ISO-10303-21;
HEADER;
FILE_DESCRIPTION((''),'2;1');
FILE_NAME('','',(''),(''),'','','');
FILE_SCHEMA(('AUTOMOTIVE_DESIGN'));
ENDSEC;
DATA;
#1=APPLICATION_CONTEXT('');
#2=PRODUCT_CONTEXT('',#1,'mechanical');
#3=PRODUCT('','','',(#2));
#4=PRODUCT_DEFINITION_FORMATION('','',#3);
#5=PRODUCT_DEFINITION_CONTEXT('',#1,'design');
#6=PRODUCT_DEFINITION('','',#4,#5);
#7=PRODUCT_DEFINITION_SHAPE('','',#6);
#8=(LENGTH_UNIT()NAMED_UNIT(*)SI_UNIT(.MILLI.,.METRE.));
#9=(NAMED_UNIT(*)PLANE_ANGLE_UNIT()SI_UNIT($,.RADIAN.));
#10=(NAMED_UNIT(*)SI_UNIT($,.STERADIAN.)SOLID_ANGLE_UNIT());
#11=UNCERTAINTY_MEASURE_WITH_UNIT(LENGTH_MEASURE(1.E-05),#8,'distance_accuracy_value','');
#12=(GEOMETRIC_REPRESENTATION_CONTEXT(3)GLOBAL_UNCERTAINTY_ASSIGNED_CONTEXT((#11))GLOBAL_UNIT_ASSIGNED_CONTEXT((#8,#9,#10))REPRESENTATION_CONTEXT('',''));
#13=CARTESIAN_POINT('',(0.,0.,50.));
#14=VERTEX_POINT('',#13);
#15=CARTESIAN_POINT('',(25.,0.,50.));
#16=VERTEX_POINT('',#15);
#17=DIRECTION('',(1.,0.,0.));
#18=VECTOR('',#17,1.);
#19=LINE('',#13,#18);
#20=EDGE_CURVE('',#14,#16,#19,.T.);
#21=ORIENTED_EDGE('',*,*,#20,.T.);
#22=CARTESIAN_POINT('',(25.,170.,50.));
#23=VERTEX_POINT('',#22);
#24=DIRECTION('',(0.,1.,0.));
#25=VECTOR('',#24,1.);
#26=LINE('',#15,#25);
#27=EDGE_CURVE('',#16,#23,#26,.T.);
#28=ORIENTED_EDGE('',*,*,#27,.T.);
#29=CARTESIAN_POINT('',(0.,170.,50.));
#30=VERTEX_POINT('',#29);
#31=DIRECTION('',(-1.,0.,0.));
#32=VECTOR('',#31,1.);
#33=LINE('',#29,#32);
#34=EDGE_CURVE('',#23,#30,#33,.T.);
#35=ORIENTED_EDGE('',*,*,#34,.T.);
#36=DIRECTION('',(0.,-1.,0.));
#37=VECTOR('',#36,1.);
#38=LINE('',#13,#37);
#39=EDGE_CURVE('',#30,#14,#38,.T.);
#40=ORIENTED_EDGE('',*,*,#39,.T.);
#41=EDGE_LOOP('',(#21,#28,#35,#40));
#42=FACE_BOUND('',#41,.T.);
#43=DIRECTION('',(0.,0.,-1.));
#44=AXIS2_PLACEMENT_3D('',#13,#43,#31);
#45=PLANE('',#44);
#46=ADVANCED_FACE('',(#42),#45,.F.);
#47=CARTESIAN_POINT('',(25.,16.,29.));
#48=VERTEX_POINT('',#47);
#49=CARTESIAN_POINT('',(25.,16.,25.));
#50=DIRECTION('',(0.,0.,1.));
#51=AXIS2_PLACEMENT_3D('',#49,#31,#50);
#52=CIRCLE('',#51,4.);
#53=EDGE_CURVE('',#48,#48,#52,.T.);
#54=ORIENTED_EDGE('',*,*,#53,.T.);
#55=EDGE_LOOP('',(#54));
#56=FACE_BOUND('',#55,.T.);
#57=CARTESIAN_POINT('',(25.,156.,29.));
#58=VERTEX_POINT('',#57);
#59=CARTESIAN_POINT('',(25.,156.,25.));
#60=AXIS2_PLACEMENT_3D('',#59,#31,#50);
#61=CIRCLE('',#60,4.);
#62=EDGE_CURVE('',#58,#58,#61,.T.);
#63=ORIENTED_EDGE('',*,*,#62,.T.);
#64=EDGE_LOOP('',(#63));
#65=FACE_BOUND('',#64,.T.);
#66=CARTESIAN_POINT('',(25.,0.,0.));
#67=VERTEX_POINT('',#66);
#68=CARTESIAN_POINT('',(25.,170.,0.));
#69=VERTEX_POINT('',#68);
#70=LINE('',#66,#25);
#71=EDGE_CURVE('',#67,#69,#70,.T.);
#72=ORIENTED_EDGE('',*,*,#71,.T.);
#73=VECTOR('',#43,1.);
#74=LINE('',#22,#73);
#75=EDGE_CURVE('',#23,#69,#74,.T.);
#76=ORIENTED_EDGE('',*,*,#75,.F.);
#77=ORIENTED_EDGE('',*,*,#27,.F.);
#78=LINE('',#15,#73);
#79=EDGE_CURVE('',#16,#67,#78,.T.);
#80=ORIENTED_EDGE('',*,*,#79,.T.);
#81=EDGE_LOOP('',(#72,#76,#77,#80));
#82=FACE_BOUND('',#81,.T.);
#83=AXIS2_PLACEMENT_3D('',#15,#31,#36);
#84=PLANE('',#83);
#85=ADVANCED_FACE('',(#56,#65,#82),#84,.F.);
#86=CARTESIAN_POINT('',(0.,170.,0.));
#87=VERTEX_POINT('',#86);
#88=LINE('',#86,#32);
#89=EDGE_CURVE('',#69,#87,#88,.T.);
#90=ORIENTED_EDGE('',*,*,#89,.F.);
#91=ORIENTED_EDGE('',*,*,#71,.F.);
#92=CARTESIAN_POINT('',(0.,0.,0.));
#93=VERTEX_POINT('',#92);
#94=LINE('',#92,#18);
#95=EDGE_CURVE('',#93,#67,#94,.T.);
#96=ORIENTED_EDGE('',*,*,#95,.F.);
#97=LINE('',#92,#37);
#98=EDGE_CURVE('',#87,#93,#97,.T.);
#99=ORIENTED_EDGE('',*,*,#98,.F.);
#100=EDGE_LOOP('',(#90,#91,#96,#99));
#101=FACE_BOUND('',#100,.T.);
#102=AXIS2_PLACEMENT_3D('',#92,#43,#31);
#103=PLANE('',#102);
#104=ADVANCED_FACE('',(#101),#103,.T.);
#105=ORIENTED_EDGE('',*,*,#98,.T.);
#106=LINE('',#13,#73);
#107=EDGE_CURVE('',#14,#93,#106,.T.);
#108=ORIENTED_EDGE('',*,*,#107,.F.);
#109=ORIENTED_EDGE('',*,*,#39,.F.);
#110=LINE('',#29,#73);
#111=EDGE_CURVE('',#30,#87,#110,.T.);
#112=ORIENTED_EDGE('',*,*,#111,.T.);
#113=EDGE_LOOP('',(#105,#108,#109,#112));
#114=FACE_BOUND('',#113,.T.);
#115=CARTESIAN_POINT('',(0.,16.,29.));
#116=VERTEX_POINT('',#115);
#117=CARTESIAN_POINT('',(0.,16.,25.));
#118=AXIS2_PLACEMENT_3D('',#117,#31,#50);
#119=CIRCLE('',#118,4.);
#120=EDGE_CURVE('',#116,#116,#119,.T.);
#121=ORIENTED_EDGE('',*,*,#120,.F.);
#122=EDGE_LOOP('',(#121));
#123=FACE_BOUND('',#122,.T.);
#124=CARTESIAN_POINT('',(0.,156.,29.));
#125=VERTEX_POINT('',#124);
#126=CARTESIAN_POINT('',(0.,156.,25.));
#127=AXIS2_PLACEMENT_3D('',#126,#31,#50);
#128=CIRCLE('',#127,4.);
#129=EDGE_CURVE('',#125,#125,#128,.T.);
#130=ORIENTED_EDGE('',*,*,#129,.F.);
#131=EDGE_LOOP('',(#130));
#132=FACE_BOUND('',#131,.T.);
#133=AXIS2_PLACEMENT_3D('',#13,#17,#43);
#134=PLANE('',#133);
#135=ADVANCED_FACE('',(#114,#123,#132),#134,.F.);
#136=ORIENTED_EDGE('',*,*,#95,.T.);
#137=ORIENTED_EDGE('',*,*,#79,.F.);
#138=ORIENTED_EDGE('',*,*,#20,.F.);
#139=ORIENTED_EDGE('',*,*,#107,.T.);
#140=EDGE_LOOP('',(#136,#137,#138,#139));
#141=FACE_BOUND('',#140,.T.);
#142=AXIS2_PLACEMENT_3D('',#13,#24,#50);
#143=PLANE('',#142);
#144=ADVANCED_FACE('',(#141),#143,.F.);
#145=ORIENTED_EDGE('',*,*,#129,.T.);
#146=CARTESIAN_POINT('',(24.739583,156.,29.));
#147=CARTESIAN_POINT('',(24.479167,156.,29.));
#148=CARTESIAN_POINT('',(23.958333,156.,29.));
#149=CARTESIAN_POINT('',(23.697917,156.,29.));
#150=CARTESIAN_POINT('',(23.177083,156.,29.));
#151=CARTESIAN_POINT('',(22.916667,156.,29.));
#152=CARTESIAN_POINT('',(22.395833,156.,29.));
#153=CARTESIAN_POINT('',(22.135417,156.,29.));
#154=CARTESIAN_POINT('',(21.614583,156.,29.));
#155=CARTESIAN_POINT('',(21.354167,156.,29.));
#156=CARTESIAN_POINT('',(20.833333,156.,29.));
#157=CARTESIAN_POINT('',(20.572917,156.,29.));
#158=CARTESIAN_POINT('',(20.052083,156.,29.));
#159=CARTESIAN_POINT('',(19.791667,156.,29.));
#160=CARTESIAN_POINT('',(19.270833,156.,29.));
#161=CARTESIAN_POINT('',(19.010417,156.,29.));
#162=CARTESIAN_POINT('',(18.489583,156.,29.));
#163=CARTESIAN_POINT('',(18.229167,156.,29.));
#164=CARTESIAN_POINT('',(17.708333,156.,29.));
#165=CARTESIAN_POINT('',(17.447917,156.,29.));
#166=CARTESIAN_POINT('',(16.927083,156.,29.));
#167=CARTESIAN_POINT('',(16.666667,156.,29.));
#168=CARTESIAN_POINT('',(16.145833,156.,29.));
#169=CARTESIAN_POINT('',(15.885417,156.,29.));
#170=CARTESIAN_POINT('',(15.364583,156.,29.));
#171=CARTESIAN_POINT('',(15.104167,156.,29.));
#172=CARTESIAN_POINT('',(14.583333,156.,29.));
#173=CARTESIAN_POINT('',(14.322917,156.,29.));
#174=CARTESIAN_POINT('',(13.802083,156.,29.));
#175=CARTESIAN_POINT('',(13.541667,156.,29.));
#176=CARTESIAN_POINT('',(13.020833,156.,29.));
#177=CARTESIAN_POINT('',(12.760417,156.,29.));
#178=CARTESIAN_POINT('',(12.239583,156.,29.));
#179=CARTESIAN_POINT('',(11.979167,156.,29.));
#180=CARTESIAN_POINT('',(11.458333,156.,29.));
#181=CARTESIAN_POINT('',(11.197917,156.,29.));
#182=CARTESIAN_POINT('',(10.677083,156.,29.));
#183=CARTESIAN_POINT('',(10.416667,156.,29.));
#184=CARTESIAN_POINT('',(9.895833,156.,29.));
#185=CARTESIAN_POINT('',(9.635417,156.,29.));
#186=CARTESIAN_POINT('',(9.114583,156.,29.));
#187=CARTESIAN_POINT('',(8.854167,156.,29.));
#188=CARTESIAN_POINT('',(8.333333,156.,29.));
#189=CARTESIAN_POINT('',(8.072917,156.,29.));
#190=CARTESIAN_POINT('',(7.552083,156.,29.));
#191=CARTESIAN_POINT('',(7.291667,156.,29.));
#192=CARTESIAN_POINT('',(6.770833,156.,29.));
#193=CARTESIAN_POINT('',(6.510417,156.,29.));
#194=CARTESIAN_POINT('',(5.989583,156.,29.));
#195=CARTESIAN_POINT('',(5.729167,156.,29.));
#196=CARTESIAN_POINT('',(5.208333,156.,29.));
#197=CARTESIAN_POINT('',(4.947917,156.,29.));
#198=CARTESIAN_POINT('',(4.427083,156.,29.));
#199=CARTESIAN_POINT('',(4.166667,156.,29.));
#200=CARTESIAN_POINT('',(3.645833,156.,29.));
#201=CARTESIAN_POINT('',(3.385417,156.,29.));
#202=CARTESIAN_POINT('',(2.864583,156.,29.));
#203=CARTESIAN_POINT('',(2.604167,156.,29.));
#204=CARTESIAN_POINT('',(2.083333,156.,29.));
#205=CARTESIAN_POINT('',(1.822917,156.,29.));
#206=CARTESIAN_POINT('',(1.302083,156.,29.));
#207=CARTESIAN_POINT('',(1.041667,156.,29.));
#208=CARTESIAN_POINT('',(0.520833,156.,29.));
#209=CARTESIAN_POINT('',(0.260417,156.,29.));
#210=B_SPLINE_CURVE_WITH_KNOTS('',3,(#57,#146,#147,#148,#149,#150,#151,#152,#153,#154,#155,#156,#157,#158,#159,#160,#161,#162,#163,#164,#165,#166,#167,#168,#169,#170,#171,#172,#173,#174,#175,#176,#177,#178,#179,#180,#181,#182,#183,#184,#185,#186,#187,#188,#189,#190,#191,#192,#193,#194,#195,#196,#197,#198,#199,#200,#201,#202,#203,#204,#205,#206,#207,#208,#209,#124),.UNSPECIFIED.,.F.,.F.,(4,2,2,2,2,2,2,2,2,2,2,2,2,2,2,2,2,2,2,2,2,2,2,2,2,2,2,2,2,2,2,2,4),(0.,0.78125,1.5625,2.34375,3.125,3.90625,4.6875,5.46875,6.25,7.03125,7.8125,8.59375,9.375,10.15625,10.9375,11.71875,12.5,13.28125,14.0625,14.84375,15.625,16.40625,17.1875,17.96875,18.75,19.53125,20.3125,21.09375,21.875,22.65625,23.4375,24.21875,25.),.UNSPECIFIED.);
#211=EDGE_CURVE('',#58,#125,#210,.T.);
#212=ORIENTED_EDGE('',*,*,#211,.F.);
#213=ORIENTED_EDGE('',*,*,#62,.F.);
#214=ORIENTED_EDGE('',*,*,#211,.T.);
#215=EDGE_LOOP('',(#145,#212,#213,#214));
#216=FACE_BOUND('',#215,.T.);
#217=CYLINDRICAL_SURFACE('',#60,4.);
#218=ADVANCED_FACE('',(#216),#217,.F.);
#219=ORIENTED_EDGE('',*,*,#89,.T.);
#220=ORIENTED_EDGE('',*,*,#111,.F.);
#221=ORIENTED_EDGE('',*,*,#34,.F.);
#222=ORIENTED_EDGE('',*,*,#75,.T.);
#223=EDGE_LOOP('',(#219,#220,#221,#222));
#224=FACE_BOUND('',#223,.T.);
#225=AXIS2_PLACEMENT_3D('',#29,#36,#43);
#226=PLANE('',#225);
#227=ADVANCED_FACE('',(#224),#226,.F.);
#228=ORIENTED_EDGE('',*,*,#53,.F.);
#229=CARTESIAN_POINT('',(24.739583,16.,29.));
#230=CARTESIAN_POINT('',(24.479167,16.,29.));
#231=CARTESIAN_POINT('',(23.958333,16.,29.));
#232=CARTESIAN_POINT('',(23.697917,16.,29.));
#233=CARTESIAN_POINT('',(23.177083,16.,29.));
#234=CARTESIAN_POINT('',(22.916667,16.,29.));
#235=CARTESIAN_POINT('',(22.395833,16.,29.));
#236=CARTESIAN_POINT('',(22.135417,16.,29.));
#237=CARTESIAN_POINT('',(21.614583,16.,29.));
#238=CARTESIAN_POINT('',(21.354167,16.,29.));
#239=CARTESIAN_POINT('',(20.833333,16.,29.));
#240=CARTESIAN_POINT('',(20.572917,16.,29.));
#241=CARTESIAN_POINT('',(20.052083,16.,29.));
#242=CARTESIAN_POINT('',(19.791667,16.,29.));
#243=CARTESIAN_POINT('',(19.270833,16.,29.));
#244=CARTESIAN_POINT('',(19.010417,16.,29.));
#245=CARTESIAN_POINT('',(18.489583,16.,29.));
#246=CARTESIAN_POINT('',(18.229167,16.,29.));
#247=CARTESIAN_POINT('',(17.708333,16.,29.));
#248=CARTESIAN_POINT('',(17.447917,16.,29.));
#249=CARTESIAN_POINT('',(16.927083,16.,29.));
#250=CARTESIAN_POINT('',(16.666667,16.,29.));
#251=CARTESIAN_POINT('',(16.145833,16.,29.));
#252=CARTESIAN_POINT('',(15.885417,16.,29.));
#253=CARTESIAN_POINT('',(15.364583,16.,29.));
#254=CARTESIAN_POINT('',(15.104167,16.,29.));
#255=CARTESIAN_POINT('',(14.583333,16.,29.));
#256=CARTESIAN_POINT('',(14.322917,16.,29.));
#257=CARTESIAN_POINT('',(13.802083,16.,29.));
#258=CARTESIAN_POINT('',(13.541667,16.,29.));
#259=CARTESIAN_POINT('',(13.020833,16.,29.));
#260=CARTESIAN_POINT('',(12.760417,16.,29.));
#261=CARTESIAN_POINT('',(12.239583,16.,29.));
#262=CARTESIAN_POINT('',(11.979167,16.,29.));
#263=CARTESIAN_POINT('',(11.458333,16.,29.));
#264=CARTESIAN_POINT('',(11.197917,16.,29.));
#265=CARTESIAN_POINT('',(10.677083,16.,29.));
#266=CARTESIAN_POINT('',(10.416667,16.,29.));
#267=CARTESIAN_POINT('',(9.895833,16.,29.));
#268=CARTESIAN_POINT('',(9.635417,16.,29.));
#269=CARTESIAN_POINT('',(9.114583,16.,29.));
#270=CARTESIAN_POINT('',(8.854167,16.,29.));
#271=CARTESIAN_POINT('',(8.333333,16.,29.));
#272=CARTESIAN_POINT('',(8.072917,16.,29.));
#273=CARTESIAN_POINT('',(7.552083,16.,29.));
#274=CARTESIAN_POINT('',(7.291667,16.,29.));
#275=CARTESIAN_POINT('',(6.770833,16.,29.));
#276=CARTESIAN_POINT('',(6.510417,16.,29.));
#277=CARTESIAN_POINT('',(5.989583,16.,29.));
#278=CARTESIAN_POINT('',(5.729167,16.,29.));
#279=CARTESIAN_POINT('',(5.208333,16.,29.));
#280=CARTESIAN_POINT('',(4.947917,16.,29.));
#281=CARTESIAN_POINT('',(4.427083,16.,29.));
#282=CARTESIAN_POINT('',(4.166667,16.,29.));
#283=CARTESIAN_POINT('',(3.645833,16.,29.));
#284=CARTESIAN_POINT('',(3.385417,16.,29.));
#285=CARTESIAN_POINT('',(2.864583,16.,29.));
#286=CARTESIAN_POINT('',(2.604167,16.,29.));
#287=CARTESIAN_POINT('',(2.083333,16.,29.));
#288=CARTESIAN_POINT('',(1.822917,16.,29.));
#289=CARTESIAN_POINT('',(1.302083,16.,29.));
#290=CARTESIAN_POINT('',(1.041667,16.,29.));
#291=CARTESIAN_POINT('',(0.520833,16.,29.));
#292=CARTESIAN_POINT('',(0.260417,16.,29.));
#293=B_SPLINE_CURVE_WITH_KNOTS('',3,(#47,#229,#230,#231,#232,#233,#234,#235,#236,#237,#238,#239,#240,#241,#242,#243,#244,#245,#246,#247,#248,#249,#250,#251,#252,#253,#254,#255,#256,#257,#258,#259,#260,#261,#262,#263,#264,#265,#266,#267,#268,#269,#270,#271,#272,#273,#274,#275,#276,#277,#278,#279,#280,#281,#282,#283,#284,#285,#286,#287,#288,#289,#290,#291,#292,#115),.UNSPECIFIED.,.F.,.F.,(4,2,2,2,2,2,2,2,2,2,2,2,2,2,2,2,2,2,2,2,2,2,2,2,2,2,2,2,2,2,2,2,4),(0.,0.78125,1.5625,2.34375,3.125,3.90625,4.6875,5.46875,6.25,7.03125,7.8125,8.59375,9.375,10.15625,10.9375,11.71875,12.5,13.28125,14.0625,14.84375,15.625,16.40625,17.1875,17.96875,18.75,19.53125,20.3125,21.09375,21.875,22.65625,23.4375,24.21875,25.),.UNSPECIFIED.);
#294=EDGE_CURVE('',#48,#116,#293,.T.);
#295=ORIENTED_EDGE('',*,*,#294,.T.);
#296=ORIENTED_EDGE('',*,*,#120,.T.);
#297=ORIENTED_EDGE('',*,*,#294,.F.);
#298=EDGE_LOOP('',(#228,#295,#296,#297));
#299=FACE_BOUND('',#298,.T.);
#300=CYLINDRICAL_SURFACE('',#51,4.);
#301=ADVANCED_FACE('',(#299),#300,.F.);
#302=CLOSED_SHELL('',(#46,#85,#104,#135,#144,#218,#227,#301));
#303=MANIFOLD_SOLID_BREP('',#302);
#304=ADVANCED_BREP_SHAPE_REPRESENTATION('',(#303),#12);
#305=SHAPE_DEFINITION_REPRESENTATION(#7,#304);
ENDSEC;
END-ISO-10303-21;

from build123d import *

# Parameters (mm, degrees)
SKETCH1_W           = 25
SKETCH1_H           = 170
BOSS_EXTRUDE1_DEPTH = 50
SKETCH3_R           = 4
CUT_EXTRUDE1_DEPTH  = 179.955301682


with BuildPart() as part:
    # Sketch1 → Boss-Extrude1 (new body)
    with BuildSketch(Plane.XY):
        with Locations((12.5, 85)):
            Rectangle(SKETCH1_W, SKETCH1_H)
    extrude(amount=BOSS_EXTRUDE1_DEPTH)

    # Sketch3 → Cut-Extrude1 (cut, through all)
    with BuildSketch(Plane.ZY):
        with Locations((25, 16)):
            Circle(SKETCH3_R)
        with Locations((25, 156)):
            Circle(SKETCH3_R)
    extrude(amount=-CUT_EXTRUDE1_DEPTH, mode=Mode.SUBTRACT)


solid = part.part
